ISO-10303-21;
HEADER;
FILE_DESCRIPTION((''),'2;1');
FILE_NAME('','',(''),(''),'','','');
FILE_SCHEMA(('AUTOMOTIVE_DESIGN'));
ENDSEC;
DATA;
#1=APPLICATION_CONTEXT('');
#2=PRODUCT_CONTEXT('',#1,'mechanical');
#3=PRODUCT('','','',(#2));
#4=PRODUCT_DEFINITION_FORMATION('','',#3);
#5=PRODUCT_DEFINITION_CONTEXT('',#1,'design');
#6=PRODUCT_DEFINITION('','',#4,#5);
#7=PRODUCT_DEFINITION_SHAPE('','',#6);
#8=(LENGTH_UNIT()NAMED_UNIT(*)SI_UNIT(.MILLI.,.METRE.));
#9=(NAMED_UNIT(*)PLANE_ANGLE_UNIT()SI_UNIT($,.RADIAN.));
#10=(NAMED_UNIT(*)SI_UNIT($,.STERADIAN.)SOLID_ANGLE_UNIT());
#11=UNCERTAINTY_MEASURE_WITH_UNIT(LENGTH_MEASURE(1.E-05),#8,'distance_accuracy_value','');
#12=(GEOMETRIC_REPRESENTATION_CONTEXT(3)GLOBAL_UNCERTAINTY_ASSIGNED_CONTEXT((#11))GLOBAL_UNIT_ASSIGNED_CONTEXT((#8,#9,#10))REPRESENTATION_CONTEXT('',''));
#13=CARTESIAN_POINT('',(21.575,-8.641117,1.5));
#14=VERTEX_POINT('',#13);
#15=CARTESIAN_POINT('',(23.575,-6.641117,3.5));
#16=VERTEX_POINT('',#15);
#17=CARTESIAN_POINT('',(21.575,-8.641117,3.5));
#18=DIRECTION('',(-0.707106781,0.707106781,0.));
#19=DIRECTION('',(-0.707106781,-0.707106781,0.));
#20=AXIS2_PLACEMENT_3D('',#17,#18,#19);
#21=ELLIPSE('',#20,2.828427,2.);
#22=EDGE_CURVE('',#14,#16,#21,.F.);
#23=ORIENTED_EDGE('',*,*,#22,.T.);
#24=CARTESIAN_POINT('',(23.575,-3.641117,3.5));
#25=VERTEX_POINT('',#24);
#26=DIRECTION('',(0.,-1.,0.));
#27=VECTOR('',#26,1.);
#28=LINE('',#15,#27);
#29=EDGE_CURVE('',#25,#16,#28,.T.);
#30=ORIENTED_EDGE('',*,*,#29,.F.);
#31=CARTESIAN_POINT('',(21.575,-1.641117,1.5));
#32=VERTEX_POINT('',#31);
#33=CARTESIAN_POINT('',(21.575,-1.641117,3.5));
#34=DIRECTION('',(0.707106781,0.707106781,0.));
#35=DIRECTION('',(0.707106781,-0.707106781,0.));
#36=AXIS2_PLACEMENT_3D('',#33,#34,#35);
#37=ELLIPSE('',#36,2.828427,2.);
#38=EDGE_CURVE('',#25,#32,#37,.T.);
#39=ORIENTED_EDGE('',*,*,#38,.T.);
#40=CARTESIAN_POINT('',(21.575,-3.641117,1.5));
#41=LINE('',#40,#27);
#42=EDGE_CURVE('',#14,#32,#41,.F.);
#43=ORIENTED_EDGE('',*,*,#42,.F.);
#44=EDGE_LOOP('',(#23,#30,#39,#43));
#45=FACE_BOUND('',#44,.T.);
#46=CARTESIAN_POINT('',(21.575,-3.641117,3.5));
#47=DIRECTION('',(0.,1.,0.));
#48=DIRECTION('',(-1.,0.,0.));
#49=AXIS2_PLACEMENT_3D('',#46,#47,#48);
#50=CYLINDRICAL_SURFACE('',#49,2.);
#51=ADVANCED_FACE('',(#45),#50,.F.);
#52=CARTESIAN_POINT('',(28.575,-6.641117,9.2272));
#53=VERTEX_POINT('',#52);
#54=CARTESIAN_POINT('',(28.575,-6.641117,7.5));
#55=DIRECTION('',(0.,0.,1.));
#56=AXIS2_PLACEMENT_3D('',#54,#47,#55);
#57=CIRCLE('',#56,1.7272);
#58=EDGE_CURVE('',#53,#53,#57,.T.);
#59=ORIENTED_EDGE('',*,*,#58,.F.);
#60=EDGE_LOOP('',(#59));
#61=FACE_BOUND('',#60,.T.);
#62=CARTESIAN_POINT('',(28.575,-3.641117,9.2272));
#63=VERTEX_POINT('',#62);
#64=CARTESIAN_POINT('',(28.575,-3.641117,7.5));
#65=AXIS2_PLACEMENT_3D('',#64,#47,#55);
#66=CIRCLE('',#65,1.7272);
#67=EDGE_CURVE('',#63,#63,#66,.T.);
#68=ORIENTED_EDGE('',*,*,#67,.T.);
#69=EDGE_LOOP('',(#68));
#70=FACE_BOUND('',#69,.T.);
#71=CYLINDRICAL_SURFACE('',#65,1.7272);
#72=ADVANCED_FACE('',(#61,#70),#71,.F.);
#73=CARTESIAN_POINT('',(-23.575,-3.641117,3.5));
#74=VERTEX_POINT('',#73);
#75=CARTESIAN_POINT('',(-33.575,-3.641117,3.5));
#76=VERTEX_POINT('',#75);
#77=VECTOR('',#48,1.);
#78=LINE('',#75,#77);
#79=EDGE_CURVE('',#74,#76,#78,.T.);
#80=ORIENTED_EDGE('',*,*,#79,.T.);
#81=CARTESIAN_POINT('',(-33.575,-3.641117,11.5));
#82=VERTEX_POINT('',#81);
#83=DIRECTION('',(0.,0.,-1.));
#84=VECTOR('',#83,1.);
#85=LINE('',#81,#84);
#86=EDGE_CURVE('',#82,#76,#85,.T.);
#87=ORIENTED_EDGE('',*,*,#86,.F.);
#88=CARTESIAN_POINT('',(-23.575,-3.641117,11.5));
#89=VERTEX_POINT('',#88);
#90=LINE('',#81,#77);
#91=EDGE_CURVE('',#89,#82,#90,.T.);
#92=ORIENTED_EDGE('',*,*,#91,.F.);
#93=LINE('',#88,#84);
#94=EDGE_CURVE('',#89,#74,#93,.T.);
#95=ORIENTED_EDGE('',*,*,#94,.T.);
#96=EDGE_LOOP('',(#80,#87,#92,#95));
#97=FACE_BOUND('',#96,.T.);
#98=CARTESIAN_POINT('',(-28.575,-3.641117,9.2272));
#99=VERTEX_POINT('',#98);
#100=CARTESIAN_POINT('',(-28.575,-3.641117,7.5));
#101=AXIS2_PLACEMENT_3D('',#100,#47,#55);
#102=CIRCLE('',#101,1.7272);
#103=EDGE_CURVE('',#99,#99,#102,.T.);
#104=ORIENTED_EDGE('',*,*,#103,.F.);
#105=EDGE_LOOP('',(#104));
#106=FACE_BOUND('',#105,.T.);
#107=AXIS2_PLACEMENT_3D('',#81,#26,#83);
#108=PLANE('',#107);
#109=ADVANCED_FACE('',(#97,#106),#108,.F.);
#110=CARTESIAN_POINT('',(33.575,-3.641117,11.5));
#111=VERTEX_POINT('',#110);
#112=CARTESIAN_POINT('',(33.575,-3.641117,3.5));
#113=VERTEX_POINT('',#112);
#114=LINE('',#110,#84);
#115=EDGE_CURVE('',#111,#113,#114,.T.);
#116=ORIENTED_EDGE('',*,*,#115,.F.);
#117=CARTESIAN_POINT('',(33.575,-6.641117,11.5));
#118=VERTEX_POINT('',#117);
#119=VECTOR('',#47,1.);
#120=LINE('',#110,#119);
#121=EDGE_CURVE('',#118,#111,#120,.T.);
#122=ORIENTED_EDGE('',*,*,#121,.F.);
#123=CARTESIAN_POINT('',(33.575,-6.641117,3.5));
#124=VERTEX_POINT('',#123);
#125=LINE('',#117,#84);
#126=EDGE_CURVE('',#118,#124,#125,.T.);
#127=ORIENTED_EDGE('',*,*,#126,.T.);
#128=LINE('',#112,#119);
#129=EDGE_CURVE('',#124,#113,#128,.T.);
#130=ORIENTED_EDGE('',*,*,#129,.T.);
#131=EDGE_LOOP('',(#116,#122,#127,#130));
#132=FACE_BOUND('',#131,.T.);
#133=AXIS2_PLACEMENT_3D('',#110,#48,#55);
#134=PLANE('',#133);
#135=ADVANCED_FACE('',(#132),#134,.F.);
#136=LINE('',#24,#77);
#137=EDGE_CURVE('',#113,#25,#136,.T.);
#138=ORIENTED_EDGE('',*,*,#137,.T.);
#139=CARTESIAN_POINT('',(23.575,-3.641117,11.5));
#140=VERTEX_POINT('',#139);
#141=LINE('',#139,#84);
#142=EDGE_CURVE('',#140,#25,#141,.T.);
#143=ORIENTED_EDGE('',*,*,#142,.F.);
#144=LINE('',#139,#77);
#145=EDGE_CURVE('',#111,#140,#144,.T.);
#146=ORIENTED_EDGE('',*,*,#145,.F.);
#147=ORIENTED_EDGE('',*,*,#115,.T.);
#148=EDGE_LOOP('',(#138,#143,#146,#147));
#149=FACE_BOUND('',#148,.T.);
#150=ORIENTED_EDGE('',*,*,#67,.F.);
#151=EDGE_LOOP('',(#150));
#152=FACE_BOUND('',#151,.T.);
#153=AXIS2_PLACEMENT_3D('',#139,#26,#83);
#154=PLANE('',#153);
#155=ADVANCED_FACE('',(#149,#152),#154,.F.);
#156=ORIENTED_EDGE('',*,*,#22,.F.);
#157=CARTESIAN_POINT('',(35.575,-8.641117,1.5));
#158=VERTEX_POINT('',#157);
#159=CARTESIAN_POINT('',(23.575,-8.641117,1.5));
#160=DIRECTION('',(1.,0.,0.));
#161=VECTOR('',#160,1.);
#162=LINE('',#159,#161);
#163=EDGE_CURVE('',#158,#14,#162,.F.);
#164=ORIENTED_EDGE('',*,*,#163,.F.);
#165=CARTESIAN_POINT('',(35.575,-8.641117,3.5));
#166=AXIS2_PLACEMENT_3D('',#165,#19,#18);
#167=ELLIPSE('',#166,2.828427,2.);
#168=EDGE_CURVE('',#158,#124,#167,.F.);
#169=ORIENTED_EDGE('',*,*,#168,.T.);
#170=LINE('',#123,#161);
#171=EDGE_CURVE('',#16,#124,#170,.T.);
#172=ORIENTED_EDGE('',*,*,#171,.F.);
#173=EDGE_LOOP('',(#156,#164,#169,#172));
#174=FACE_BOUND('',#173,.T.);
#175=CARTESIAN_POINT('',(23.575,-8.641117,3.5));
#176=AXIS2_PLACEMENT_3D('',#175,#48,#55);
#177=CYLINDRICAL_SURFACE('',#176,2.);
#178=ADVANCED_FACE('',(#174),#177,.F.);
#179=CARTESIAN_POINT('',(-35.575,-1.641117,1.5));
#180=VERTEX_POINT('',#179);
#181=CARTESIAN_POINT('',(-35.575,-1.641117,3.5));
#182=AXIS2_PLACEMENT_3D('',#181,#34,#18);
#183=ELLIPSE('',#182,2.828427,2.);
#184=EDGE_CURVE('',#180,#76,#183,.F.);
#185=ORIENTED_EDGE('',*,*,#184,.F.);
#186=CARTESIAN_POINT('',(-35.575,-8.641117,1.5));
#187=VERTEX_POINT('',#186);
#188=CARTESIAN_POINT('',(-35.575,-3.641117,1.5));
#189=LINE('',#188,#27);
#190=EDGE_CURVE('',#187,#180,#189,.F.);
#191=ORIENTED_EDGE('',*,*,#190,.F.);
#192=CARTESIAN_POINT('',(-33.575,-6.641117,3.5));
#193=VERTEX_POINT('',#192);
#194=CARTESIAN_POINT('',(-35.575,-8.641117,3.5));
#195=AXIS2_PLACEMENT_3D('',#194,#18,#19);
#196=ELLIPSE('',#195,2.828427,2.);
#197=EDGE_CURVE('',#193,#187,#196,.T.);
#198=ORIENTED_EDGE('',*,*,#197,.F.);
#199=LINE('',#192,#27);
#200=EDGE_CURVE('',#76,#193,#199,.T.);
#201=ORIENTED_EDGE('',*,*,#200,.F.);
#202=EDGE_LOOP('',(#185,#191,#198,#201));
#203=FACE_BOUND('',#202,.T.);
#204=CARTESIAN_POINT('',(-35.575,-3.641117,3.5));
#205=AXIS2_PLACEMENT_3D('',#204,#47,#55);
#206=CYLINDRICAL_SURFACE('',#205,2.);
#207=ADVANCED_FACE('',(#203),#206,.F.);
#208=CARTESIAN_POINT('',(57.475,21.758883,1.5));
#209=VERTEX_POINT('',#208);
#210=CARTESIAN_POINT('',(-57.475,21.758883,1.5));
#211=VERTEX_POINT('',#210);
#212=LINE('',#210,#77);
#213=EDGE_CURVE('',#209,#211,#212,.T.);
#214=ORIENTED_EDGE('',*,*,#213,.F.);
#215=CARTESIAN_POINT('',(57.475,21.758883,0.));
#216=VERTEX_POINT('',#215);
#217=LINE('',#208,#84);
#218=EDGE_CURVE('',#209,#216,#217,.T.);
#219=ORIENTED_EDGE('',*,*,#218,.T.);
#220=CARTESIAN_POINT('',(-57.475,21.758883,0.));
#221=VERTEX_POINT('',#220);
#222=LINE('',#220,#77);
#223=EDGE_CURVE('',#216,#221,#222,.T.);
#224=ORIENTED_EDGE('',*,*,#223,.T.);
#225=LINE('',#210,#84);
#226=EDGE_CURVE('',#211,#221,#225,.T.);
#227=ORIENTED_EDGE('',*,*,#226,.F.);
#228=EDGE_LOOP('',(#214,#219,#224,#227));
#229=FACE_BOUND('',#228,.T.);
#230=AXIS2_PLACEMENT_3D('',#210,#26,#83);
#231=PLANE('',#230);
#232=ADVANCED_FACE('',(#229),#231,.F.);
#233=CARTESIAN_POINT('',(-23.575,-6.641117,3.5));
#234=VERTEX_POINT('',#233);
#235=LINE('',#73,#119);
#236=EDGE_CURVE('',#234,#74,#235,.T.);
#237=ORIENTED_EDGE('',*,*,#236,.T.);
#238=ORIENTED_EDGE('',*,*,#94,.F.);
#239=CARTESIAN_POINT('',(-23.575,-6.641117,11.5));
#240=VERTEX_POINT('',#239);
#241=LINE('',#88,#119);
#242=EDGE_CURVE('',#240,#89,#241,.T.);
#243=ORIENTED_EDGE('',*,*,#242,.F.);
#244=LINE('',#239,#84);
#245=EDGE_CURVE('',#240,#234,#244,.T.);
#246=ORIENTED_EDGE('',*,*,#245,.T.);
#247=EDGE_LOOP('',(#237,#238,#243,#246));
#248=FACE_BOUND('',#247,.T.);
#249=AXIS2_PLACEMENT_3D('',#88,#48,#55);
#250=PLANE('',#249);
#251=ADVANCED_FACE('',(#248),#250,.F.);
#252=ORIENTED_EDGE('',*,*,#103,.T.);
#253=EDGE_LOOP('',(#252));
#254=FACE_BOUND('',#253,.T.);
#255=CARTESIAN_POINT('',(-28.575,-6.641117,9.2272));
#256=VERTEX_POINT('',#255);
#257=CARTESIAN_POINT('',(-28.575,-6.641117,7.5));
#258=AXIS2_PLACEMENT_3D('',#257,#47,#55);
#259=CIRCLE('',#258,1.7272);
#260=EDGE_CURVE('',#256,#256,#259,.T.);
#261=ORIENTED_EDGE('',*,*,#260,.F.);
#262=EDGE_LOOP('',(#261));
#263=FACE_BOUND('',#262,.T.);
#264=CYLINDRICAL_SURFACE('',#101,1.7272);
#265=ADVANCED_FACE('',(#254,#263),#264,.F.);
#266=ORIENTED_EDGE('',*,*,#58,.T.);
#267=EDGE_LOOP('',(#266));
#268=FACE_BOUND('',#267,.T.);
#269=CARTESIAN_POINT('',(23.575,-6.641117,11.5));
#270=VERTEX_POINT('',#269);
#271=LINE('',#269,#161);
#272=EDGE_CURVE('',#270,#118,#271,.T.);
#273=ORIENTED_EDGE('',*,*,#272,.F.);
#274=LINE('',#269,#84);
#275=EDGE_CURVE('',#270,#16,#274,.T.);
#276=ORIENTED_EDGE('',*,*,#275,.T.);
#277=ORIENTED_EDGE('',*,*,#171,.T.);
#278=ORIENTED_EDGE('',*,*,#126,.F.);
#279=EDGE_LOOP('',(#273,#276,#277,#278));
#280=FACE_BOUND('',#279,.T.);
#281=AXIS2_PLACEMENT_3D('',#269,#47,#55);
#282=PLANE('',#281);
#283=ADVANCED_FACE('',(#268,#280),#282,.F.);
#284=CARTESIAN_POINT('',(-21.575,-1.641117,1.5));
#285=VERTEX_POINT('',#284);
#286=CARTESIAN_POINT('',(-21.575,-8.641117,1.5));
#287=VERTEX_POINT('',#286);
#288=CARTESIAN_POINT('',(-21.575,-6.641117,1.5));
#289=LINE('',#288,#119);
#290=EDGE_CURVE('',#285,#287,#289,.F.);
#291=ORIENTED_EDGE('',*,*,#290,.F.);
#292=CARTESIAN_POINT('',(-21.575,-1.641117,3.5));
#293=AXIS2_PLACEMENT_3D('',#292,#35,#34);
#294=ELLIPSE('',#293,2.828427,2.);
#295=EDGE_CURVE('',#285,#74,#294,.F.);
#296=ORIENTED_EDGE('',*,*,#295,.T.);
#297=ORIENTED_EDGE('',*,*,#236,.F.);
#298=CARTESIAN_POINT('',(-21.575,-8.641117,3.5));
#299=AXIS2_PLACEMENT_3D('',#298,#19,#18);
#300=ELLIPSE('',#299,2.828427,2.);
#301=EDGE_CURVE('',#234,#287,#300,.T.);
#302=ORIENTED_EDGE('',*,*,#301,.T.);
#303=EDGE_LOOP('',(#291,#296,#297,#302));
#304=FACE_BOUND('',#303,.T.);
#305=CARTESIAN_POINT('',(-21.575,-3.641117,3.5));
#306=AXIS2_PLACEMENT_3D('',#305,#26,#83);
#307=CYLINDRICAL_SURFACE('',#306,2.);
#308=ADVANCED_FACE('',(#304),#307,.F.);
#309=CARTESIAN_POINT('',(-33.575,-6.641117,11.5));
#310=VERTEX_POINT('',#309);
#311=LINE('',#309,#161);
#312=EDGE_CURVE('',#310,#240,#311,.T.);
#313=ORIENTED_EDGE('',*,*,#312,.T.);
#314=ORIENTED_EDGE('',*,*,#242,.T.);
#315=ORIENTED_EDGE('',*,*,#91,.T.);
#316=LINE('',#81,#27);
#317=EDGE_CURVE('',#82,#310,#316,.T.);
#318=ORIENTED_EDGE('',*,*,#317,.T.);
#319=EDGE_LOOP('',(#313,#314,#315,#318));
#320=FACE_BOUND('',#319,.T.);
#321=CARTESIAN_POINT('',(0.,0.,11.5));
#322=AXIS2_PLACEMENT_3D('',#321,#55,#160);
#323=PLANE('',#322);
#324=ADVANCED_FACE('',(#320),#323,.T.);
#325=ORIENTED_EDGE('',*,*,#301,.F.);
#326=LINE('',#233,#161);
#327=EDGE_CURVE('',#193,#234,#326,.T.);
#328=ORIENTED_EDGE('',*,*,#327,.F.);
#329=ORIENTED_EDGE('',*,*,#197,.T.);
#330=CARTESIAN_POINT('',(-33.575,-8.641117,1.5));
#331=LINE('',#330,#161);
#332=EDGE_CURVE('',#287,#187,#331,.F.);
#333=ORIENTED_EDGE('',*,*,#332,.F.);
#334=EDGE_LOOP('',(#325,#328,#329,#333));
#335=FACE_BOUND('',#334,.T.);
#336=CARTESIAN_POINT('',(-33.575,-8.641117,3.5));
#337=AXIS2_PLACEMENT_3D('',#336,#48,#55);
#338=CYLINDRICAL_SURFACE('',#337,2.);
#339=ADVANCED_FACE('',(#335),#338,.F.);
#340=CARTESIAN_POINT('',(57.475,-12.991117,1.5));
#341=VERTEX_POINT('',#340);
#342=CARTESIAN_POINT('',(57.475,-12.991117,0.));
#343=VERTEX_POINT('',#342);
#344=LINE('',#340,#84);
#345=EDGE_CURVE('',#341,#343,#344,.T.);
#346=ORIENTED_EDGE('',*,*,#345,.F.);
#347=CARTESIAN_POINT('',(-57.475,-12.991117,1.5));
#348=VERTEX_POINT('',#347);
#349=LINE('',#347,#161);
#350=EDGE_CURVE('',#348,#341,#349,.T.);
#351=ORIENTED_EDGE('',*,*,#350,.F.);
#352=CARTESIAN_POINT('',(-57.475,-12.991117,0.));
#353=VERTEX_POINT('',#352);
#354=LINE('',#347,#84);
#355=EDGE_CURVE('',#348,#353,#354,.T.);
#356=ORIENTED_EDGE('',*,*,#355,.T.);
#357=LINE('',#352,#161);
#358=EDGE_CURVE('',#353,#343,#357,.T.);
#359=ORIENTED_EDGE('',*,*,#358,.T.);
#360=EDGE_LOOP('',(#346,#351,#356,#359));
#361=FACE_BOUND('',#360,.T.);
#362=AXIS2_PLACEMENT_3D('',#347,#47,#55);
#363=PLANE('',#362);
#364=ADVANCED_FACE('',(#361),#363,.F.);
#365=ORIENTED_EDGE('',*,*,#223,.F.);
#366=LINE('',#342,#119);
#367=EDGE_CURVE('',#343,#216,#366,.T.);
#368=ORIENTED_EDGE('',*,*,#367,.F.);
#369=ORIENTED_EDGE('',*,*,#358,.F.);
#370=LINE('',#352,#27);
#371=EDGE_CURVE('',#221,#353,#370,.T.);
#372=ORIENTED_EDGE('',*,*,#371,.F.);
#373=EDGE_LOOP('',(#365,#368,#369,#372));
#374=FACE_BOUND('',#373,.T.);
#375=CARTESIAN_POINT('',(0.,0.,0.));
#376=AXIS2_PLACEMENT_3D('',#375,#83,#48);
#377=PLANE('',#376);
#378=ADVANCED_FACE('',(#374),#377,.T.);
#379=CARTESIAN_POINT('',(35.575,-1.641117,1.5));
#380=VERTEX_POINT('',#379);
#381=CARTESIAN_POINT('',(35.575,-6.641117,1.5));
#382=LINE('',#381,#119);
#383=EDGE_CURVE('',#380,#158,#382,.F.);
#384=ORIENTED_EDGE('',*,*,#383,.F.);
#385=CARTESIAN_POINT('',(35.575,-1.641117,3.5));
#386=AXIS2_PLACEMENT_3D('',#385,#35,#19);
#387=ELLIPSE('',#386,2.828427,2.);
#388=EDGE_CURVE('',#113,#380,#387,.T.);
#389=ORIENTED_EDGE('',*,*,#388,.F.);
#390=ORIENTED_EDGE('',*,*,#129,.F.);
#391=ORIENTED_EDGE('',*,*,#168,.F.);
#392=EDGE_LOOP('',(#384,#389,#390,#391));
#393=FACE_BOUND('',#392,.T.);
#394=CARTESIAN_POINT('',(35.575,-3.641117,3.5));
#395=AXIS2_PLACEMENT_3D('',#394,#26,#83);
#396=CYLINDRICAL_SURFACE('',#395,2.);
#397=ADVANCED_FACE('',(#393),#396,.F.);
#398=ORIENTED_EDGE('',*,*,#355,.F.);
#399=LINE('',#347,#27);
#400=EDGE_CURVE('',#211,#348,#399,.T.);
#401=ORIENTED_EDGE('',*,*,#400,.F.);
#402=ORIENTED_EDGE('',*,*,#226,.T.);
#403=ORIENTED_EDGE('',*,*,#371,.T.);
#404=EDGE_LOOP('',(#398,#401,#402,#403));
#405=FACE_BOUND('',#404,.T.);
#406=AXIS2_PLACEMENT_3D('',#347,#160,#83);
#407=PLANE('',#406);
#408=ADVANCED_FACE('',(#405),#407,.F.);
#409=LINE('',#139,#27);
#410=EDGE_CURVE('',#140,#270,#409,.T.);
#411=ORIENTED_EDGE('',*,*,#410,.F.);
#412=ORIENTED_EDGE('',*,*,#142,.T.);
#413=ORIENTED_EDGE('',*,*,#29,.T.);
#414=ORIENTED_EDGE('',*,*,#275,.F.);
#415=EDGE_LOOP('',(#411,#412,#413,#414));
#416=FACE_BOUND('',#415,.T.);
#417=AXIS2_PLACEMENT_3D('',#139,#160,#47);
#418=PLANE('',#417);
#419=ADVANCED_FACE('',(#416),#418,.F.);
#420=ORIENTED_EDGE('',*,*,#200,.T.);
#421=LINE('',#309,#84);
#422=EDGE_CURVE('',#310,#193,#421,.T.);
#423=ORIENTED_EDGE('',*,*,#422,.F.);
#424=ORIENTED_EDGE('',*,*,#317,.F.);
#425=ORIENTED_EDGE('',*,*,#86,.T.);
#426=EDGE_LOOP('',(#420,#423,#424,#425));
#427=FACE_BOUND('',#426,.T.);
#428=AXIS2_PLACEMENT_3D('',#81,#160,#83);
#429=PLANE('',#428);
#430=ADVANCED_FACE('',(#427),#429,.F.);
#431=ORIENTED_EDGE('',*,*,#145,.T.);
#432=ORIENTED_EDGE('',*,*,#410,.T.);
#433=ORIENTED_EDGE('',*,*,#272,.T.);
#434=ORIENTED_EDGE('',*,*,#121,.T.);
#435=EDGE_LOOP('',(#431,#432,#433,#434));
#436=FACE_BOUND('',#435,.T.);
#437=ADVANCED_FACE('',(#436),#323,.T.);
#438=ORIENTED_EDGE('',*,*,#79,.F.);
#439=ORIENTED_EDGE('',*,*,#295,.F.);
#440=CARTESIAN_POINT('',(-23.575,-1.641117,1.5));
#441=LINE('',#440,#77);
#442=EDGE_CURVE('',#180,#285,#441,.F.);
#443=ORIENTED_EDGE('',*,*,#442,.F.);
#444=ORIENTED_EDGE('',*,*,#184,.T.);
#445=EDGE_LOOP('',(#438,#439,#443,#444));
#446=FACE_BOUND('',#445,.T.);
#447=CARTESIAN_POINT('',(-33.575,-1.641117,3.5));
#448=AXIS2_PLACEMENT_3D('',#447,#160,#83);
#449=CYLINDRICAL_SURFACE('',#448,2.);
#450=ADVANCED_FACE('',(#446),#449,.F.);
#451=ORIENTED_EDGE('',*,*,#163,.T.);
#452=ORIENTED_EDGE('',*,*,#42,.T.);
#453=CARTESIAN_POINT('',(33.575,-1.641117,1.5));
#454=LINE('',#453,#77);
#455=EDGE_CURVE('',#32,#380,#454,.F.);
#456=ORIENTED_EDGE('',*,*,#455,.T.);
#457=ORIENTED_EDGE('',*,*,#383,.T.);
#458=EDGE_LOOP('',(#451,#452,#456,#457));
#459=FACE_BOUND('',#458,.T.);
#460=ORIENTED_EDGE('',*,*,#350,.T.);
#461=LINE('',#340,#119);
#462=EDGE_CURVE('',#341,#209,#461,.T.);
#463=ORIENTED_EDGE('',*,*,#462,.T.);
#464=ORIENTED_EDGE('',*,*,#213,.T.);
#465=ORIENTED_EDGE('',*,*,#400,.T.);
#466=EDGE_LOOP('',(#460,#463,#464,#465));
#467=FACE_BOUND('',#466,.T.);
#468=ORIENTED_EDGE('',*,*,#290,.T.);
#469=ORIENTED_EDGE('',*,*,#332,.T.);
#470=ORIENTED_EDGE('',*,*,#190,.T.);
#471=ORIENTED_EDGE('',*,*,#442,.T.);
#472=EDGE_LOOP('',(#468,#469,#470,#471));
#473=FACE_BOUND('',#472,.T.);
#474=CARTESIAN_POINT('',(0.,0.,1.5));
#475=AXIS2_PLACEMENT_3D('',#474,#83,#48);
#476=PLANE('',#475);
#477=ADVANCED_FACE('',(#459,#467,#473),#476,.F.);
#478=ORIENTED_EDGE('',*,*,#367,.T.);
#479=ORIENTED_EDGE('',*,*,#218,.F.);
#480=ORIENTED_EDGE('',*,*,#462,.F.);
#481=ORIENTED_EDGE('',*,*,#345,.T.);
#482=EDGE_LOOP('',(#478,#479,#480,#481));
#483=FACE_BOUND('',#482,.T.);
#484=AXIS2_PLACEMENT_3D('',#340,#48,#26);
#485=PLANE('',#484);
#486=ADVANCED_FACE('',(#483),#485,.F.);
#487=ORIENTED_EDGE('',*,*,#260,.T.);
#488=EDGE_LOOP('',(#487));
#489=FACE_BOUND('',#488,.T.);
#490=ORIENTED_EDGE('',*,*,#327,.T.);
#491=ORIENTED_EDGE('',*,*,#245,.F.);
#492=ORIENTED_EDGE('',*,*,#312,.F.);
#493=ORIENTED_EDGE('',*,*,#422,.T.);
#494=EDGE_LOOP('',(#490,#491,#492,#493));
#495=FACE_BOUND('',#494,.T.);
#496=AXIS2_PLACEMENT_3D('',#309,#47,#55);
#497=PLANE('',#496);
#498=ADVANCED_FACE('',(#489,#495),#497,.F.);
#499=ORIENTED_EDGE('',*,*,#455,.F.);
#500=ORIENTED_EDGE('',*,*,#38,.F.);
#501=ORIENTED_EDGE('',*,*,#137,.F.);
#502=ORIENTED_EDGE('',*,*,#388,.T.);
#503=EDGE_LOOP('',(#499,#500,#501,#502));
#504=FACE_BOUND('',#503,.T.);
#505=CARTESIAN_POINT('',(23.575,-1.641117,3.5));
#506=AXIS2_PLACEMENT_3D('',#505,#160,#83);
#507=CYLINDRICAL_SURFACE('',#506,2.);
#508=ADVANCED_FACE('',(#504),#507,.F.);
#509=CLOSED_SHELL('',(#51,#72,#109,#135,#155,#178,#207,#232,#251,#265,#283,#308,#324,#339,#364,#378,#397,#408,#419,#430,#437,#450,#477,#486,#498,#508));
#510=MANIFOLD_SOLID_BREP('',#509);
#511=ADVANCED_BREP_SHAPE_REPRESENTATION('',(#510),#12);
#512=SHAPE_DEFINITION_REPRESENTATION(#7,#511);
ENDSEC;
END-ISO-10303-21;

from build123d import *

# Parameters (mm, degrees)
SKETCH1_W             = 114.95
SKETCH1_H             = 34.75
REARPANEL_DEPTH       = 1.5
SKETCH2_W             = 10
SKETCH2_H             = 3
SCREWMOUNTS_DEPTH     = 10
FILLET1_R             = 2
F_4_CLEARANCE_HOLE1_D = 3.4544


with BuildPart() as part:
    # Sketch1 → RearPanel (new body)
    with BuildSketch(Plane.XY):
        with Locations((0, 4.383882718)):
            Rectangle(SKETCH1_W, SKETCH1_H)
    extrude(amount=REARPANEL_DEPTH)

    # Sketch2 → ScrewMounts (add)
    with BuildSketch(Plane.XY.offset(1.5)):
        with Locations((28.575, -5.141117282)):
            Rectangle(SKETCH2_W, SKETCH2_H)
        with Locations((-28.575, -5.141117282)):
            Rectangle(SKETCH2_W, SKETCH2_H)
    extrude(amount=SCREWMOUNTS_DEPTH)

    # Fillet1
    fillet1_edges = [part.edges().sort_by_distance(p)[0] for p in [
        (-33.575, -5.141117282, 1.5),
        (-28.575, -6.641117282, 1.5),
        (-23.575, -5.141117282, 1.5),
        (-28.575, -3.641117282, 1.5),
        (23.575, -5.141117282, 1.5),
        (28.575, -6.641117282, 1.5),
        (33.575, -5.141117282, 1.5),
        (28.575, -3.641117282, 1.5),
    ]]
    fillet(fillet1_edges, radius=FILLET1_R)

    # #4 Clearance Hole1 (through all)
    with Locations(Plane(origin=(0, -3.641117282, 0), x_dir=(1, 0, 0), z_dir=(0, 1, 0))):
        with Locations((28.575, -7.5), (-28.575, -7.5)):
            Hole(F_4_CLEARANCE_HOLE1_D / 2)


solid = part.part
